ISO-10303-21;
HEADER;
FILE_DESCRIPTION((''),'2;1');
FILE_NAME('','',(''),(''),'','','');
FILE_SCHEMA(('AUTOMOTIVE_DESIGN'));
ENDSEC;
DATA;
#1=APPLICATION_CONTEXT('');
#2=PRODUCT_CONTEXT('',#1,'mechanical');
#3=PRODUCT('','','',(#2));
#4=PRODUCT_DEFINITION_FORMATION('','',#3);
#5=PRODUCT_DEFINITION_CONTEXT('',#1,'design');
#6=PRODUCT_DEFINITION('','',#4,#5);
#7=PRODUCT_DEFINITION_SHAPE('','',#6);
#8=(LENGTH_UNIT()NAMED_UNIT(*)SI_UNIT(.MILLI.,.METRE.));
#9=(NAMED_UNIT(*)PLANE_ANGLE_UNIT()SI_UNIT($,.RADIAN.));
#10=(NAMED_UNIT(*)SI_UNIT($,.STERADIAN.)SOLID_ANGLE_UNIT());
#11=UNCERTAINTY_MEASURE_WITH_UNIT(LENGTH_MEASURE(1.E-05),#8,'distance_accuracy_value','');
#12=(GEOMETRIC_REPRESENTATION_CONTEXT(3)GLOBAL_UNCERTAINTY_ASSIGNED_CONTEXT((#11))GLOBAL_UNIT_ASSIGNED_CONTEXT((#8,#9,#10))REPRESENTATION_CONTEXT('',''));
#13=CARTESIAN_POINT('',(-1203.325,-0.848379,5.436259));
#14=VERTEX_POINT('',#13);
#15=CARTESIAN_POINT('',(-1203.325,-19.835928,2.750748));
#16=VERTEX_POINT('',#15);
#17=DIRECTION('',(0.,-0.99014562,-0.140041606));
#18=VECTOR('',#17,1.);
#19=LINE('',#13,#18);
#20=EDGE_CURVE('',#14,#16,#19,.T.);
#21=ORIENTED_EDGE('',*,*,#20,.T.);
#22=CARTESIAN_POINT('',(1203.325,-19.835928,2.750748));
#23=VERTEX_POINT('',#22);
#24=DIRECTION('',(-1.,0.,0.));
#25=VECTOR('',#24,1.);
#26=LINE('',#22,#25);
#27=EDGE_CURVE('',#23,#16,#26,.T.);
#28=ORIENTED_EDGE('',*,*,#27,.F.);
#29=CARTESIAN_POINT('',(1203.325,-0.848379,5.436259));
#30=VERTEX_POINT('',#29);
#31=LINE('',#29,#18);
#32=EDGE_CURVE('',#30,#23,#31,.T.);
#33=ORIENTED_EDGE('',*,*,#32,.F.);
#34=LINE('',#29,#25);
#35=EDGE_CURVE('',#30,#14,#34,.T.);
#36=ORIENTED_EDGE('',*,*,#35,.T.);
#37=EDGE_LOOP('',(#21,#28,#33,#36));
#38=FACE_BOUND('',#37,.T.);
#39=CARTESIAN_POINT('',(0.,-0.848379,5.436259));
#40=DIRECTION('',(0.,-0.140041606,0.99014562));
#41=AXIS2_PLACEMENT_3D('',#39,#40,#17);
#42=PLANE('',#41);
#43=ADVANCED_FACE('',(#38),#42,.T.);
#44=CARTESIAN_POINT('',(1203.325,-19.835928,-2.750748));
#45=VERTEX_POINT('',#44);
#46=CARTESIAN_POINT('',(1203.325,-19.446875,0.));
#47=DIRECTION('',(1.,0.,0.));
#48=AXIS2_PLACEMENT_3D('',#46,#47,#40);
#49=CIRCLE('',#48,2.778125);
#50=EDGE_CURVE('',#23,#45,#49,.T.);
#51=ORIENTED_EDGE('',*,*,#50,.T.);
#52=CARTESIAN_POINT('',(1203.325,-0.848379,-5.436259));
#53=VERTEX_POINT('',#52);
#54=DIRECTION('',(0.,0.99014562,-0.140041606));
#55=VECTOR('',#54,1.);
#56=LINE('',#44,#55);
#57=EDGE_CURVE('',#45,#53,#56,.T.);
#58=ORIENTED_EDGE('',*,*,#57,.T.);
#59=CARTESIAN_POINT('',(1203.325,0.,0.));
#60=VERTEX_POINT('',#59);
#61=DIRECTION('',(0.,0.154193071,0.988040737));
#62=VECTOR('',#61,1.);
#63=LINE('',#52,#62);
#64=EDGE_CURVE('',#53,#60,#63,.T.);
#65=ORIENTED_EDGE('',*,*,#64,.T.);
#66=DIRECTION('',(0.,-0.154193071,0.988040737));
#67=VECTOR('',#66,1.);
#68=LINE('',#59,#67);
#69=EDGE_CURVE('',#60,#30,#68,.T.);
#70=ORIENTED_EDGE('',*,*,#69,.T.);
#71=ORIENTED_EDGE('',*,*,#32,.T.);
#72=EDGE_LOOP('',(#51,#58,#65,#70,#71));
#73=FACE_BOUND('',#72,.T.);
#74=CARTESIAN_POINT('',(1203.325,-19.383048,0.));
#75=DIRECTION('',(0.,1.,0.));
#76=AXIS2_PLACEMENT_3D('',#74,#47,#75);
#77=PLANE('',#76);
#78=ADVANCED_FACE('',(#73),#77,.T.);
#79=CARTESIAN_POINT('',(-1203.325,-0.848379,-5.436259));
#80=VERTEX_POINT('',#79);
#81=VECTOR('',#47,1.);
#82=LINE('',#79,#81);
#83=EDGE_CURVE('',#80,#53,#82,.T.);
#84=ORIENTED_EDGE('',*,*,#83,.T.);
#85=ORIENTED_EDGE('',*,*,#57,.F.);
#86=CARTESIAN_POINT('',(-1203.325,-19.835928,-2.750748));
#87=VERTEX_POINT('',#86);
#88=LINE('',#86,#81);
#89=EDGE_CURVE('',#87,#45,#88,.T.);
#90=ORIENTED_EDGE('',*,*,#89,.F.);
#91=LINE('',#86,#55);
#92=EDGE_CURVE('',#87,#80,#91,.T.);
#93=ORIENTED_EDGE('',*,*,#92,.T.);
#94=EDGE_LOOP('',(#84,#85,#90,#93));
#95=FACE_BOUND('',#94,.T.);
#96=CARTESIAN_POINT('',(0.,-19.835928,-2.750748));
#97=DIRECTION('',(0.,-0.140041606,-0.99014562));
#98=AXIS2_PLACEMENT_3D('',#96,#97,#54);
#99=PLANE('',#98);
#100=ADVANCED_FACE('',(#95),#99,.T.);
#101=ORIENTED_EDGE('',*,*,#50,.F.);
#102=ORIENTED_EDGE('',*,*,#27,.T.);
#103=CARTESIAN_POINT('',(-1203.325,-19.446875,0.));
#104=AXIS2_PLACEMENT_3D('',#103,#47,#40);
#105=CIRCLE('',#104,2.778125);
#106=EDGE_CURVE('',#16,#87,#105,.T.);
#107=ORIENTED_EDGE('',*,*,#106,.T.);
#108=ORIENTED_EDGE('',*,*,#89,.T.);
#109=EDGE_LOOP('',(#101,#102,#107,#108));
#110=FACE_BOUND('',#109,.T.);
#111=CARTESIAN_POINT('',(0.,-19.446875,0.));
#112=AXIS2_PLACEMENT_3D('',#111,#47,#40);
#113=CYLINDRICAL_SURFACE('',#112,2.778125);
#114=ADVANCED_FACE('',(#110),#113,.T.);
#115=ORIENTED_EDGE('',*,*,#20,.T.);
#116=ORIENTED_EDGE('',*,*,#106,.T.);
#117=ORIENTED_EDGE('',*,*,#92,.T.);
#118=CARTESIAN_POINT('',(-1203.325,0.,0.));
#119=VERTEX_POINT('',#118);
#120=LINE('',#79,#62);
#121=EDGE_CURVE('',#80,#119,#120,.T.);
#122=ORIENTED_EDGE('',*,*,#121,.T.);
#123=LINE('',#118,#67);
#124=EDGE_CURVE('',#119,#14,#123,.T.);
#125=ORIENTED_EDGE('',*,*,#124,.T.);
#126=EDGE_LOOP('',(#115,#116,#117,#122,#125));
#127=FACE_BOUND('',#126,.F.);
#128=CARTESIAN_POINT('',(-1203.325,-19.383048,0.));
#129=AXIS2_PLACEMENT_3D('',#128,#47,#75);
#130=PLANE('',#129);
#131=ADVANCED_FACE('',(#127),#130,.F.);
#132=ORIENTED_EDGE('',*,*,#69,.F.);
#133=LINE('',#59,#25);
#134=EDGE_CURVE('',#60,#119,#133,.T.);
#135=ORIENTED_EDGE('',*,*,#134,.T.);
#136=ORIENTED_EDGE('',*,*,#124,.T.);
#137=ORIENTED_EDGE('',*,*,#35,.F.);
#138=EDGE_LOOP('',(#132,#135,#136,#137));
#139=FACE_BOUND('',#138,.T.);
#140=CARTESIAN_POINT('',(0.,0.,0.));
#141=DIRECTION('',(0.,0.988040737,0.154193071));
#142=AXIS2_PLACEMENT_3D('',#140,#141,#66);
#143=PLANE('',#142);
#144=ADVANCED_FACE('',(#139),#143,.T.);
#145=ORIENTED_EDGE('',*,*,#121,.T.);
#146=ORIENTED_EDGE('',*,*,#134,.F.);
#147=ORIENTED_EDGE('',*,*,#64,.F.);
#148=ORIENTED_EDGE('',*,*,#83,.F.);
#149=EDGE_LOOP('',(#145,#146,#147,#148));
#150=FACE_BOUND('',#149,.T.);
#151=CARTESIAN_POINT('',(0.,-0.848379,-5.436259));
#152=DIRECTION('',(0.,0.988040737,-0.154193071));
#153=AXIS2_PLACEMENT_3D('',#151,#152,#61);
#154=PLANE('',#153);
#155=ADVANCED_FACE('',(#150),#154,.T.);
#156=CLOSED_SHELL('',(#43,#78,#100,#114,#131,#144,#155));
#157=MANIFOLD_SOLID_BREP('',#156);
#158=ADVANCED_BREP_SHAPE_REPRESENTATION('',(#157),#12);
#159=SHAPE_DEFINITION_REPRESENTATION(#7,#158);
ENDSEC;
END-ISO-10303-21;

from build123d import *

# Parameters (mm, degrees)
F1_DEPTH = 1203.325


with BuildPart() as f1:
    # F0 (on Right) → F1 (new body, symmetric)
    with BuildSketch(Plane.YZ):
        with BuildLine():
            ThreePointArc((-16.66875, 0), (-17.6251806772, 2.097476653), (-19.8359280858, 2.7507483004))
            ThreePointArc((-19.8359280858, 2.7507483004), (-22.225, 0), (-19.8359280858, -2.7507483004))
            ThreePointArc((-19.8359280858, -2.7507483004), (-17.6251806772, -2.097476653), (-16.66875, 0))
        make_face()
        with BuildLine():
            Line((-0.8483794827, -5.4362591395), (0, 0))
            Line((0, 0), (-0.8483794827, 5.4362591395))
            Line((-0.8483794827, 5.4362591395), (-19.8359280858, 2.7507483004))
            ThreePointArc((-19.8359280858, 2.7507483004), (-17.6251806772, 2.097476653), (-16.66875, 0))
            ThreePointArc((-16.66875, 0), (-17.6251806772, -2.097476653), (-19.8359280858, -2.7507483004))
            Line((-19.8359280858, -2.7507483004), (-0.8483794827, -5.4362591395))
        make_face()
    extrude(amount=F1_DEPTH, both=True)


solid = f1.part
